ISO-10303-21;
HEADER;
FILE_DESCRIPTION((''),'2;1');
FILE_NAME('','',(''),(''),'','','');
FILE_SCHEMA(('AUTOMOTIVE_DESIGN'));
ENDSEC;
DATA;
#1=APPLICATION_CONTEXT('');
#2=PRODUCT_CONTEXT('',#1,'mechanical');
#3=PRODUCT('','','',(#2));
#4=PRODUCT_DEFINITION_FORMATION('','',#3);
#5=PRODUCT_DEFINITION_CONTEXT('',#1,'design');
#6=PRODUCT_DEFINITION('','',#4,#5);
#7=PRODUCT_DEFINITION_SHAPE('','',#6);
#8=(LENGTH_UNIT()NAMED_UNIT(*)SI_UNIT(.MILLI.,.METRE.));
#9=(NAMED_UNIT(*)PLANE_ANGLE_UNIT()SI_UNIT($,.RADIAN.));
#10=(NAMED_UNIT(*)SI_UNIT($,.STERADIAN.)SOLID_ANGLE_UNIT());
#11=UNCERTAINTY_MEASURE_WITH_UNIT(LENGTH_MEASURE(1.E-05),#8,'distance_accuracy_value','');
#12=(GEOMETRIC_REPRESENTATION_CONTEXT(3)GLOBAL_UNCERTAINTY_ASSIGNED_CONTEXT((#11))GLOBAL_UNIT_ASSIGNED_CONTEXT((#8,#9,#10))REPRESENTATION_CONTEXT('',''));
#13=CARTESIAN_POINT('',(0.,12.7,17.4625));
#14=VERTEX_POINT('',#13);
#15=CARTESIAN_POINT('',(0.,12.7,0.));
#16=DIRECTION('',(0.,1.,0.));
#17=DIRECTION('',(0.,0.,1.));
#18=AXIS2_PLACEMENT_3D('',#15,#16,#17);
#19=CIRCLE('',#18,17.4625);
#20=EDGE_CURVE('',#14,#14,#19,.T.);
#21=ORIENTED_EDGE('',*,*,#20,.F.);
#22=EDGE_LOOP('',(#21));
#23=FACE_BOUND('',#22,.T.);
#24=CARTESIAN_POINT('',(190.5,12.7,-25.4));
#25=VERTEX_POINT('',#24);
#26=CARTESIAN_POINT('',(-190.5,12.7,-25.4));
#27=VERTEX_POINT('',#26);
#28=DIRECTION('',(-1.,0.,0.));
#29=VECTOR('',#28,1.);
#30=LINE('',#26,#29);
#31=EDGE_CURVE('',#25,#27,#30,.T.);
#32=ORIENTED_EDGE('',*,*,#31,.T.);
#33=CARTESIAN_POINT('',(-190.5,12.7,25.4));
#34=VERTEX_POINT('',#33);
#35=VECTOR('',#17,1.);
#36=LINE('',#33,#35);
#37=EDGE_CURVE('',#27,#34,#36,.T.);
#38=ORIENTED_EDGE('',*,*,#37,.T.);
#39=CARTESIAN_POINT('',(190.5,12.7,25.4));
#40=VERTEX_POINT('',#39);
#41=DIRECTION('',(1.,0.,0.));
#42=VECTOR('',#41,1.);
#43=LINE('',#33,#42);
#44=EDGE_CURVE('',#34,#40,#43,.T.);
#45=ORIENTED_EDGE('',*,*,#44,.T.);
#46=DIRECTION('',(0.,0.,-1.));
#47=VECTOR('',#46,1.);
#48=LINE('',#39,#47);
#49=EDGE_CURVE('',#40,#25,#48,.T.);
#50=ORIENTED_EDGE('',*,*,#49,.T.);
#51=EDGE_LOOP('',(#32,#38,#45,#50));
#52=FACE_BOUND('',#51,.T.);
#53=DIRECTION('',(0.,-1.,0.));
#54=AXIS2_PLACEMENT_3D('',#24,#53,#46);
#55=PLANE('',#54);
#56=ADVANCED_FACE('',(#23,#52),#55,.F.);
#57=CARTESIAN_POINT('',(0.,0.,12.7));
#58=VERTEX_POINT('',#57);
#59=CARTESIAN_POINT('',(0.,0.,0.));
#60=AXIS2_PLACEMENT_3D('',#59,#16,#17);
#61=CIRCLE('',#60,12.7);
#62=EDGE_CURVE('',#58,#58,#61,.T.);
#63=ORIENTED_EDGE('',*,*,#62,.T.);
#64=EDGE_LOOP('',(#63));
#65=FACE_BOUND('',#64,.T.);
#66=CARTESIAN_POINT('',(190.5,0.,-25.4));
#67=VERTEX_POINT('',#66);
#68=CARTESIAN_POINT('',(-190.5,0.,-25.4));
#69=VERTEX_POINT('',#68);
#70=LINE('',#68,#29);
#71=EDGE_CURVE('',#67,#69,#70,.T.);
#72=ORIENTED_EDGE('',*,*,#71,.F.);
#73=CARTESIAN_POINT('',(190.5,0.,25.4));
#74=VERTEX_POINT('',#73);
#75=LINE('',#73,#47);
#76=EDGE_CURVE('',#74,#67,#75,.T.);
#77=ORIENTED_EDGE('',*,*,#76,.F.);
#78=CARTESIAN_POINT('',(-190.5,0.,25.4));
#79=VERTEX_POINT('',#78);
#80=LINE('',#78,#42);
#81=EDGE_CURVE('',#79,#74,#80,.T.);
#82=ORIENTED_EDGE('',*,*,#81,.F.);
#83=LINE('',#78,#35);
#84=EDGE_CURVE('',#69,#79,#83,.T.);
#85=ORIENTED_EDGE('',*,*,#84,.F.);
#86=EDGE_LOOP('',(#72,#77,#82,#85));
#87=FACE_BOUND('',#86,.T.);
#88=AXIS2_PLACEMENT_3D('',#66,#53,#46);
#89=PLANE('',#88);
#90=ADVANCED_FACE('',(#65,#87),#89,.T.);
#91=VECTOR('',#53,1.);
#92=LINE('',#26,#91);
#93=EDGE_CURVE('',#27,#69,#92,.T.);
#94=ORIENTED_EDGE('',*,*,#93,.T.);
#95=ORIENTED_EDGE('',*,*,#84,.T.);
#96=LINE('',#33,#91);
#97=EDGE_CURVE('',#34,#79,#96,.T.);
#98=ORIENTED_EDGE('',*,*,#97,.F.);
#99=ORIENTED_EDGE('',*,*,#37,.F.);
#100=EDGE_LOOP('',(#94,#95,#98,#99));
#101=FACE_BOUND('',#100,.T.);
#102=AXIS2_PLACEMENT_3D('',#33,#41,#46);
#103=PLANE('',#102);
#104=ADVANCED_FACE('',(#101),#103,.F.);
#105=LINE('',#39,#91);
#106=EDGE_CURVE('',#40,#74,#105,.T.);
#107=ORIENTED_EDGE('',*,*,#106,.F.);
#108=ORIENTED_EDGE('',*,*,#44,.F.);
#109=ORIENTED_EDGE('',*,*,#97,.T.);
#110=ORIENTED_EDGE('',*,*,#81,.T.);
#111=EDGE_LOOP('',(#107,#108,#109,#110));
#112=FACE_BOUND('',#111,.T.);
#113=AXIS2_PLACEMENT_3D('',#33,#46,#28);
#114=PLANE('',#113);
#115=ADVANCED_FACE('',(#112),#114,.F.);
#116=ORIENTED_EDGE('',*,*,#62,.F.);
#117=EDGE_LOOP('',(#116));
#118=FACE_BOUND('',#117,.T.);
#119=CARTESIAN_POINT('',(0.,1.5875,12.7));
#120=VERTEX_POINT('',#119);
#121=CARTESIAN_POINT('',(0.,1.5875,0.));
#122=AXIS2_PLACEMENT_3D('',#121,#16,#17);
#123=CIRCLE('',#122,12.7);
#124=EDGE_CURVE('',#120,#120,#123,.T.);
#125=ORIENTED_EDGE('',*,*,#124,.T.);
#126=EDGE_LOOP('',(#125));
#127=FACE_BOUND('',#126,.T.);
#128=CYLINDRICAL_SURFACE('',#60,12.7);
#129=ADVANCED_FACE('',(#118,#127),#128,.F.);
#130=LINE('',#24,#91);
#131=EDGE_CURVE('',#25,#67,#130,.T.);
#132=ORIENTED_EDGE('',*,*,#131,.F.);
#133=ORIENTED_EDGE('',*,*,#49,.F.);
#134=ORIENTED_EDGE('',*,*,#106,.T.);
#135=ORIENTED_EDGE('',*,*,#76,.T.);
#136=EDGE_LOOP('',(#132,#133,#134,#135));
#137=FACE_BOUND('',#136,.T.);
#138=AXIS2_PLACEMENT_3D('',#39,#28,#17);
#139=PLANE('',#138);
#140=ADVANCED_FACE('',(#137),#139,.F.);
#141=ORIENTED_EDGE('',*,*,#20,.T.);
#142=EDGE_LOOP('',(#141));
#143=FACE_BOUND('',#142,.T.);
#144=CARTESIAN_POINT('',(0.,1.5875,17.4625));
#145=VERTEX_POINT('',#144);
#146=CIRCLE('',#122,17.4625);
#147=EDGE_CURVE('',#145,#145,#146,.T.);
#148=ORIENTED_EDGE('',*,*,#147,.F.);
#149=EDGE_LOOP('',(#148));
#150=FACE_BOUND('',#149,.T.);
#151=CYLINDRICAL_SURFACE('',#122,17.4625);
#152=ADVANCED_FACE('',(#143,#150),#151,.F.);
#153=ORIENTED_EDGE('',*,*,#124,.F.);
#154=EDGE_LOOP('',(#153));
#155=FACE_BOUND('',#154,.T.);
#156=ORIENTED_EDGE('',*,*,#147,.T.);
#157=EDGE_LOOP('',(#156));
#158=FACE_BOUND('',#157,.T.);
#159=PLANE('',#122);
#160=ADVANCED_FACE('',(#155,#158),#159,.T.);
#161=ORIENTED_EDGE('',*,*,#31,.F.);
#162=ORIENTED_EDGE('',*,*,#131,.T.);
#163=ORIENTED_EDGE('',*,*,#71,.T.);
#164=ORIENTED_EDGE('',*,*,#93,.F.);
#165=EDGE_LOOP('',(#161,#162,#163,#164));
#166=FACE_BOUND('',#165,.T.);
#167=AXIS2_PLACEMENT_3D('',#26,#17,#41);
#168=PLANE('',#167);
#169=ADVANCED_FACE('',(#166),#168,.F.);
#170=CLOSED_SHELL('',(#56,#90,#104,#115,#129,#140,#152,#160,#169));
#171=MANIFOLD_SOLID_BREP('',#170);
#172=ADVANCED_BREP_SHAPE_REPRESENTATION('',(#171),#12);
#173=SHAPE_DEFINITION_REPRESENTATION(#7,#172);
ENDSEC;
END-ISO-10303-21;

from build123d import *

# Parameters (mm, degrees)
SKETCH1_W           = 381
SKETCH1_H           = 50.8
BOSS_EXTRUDE1_DEPTH = 12.7
SKETCH2_R           = 17.4625
CUT_EXTRUDE1_DEPTH  = 11.1125
SKETCH3_R           = 12.7
CUT_EXTRUDE2_DEPTH  = 193.506876906


with BuildPart() as part:
    # Sketch1 → Boss-Extrude1 (new body)
    with BuildSketch(Plane(origin=(0, 0, 0), x_dir=(1, 0, 0), z_dir=(0, 1, 0))):
        Rectangle(SKETCH1_W, SKETCH1_H)
    extrude(amount=BOSS_EXTRUDE1_DEPTH)

    # Sketch2 → Cut-Extrude1 (cut)
    with BuildSketch(Plane(origin=(0, 12.7, 0), x_dir=(1, 0, 0), z_dir=(0, 1, 0))):
        with Locations(Location((0, 0, 0), (0, 0, 270))):
            Circle(SKETCH2_R)
    extrude(amount=-CUT_EXTRUDE1_DEPTH, mode=Mode.SUBTRACT)

    # Sketch3 → Cut-Extrude2 (cut, through all)
    with BuildSketch(Plane(origin=(0, 1.5875, 0), x_dir=(1, 0, 0), z_dir=(0, 1, 0))):
        with Locations(Location((0, 0, 0), (0, 0, 270))):
            Circle(SKETCH3_R)
    extrude(amount=-CUT_EXTRUDE2_DEPTH, mode=Mode.SUBTRACT)


solid = part.part
